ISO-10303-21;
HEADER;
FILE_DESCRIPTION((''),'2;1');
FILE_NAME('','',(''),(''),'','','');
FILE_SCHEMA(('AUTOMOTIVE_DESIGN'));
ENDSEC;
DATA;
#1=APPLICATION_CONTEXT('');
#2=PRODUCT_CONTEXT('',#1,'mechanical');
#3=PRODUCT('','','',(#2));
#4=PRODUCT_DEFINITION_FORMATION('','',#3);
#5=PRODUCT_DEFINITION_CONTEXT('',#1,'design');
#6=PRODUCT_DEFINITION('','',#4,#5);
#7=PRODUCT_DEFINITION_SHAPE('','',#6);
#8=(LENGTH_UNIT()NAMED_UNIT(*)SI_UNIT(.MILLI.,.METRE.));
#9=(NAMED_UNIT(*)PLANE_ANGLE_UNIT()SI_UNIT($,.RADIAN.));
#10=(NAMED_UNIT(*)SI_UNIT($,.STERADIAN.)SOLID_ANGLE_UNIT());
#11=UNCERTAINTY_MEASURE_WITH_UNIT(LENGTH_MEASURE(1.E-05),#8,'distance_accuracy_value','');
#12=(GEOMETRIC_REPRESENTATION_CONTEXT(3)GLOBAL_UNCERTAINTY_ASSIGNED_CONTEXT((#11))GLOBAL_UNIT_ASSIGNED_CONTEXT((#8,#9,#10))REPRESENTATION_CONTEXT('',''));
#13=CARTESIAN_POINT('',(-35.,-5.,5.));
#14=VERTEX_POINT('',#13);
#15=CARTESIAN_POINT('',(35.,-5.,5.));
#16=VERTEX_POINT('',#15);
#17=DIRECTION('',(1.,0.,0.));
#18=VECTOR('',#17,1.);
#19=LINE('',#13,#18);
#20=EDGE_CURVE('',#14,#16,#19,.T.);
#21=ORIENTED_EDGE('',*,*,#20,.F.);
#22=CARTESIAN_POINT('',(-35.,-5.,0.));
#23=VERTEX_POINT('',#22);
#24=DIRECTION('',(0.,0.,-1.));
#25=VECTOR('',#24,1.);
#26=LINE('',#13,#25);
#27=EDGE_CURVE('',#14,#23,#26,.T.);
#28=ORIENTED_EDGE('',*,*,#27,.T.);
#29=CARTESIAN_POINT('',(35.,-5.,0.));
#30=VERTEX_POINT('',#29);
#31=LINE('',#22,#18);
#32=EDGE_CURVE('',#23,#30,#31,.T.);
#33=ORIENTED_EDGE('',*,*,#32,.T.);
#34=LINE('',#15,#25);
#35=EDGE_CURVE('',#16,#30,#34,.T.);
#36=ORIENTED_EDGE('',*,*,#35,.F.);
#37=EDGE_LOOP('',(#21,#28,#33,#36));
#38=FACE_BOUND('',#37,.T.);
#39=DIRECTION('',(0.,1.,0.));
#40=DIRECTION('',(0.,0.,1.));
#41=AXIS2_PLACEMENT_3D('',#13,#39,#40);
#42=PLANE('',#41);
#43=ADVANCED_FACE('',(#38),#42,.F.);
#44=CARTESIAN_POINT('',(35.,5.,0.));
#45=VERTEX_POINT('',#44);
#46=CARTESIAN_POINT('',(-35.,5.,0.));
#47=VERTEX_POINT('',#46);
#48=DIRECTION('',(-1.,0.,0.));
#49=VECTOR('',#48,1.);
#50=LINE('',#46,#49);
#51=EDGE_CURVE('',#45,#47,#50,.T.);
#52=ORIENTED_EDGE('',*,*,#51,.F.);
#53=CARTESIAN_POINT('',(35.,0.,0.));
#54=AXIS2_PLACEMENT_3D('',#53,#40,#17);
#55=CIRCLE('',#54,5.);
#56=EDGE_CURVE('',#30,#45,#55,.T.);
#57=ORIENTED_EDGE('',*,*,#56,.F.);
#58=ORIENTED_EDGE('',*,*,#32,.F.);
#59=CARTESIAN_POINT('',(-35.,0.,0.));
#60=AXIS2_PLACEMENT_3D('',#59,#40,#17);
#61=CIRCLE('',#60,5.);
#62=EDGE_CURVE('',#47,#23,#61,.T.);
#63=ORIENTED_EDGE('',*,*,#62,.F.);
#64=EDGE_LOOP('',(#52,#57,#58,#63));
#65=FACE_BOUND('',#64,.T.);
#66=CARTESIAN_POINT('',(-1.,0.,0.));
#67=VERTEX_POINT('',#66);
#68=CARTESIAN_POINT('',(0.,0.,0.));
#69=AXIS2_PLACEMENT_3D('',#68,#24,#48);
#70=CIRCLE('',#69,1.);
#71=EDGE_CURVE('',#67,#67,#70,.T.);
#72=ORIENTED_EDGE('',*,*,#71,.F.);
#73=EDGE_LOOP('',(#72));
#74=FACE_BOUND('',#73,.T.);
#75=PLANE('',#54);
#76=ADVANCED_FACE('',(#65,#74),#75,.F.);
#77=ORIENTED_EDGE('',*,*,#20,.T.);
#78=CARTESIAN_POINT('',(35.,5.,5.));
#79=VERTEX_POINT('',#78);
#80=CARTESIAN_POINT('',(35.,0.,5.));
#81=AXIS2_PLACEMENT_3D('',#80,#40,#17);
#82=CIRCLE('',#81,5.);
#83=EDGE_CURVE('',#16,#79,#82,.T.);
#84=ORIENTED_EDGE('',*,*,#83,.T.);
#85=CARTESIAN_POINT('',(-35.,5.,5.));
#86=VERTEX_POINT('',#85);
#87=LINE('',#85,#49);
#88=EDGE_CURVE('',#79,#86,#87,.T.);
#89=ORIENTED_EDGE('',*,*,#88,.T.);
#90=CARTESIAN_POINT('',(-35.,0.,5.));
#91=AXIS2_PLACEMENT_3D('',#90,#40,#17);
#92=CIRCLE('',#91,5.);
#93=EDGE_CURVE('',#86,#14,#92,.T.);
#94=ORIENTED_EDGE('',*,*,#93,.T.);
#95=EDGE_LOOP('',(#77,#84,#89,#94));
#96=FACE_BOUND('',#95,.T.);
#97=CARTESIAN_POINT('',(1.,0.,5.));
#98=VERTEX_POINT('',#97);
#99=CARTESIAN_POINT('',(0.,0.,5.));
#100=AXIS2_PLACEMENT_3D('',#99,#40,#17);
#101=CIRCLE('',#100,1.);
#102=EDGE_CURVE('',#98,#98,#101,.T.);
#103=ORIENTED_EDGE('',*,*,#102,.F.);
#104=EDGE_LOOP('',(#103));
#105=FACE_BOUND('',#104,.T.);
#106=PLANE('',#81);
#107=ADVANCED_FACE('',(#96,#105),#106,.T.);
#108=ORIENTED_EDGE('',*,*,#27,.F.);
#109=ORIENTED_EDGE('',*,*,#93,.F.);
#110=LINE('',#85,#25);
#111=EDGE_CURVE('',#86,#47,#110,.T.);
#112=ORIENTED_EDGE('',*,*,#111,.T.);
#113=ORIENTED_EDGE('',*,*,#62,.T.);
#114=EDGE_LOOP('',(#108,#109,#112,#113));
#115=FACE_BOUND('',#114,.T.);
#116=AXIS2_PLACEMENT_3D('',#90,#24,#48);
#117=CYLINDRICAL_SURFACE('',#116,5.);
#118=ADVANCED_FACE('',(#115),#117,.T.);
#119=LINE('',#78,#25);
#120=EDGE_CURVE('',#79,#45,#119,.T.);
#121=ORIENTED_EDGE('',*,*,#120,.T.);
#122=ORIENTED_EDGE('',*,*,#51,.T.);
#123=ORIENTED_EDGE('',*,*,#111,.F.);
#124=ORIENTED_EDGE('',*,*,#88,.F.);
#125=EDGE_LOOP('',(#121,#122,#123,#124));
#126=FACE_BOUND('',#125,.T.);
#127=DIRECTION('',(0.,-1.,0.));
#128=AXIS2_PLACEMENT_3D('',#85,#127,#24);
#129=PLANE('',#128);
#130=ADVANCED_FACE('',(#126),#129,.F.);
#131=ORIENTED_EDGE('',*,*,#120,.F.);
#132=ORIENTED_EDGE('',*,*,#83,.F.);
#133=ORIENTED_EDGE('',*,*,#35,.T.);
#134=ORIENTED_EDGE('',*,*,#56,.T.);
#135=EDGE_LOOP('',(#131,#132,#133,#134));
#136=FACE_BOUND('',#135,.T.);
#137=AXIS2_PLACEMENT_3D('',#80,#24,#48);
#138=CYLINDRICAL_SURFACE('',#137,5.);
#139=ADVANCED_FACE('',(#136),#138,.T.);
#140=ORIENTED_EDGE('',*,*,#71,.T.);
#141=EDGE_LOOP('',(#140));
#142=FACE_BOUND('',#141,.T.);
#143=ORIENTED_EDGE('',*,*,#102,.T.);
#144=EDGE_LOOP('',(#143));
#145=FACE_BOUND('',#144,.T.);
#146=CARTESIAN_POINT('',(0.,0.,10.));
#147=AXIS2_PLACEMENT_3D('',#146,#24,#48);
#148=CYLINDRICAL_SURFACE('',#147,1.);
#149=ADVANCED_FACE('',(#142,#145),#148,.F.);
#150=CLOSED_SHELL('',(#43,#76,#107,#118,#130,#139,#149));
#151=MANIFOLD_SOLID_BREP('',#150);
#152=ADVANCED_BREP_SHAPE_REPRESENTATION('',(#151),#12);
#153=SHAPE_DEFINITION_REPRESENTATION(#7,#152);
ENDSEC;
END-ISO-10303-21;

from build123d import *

# Parameters (mm, degrees)
SALIENTE_EXTRUIR2_DEPTH = 5
CROQUIS2_R              = 1
CORTAR_EXTRUIR1_DEPTH   = 10


with BuildPart() as part:
    # Croquis1 → Saliente-Extruir2 (new body)
    with BuildSketch(Plane.XY):
        with BuildLine():
            Line((-35, 5), (35, 5))
            ThreePointArc((35, 5), (40, 0), (35, -5))
            Line((35, -5), (-35, -5))
            ThreePointArc((-35, -5), (-40, 0), (-35, 5))
        make_face()
    extrude(amount=SALIENTE_EXTRUIR2_DEPTH)

    # Croquis2 → Cortar-Extruir1 (cut)
    with BuildSketch(Plane(origin=(0, 0, 0), x_dir=(-1, 0, 0), z_dir=(0, 0, -1))):
        Circle(CROQUIS2_R)
    extrude(amount=-CORTAR_EXTRUIR1_DEPTH, mode=Mode.SUBTRACT)


solid = part.part
